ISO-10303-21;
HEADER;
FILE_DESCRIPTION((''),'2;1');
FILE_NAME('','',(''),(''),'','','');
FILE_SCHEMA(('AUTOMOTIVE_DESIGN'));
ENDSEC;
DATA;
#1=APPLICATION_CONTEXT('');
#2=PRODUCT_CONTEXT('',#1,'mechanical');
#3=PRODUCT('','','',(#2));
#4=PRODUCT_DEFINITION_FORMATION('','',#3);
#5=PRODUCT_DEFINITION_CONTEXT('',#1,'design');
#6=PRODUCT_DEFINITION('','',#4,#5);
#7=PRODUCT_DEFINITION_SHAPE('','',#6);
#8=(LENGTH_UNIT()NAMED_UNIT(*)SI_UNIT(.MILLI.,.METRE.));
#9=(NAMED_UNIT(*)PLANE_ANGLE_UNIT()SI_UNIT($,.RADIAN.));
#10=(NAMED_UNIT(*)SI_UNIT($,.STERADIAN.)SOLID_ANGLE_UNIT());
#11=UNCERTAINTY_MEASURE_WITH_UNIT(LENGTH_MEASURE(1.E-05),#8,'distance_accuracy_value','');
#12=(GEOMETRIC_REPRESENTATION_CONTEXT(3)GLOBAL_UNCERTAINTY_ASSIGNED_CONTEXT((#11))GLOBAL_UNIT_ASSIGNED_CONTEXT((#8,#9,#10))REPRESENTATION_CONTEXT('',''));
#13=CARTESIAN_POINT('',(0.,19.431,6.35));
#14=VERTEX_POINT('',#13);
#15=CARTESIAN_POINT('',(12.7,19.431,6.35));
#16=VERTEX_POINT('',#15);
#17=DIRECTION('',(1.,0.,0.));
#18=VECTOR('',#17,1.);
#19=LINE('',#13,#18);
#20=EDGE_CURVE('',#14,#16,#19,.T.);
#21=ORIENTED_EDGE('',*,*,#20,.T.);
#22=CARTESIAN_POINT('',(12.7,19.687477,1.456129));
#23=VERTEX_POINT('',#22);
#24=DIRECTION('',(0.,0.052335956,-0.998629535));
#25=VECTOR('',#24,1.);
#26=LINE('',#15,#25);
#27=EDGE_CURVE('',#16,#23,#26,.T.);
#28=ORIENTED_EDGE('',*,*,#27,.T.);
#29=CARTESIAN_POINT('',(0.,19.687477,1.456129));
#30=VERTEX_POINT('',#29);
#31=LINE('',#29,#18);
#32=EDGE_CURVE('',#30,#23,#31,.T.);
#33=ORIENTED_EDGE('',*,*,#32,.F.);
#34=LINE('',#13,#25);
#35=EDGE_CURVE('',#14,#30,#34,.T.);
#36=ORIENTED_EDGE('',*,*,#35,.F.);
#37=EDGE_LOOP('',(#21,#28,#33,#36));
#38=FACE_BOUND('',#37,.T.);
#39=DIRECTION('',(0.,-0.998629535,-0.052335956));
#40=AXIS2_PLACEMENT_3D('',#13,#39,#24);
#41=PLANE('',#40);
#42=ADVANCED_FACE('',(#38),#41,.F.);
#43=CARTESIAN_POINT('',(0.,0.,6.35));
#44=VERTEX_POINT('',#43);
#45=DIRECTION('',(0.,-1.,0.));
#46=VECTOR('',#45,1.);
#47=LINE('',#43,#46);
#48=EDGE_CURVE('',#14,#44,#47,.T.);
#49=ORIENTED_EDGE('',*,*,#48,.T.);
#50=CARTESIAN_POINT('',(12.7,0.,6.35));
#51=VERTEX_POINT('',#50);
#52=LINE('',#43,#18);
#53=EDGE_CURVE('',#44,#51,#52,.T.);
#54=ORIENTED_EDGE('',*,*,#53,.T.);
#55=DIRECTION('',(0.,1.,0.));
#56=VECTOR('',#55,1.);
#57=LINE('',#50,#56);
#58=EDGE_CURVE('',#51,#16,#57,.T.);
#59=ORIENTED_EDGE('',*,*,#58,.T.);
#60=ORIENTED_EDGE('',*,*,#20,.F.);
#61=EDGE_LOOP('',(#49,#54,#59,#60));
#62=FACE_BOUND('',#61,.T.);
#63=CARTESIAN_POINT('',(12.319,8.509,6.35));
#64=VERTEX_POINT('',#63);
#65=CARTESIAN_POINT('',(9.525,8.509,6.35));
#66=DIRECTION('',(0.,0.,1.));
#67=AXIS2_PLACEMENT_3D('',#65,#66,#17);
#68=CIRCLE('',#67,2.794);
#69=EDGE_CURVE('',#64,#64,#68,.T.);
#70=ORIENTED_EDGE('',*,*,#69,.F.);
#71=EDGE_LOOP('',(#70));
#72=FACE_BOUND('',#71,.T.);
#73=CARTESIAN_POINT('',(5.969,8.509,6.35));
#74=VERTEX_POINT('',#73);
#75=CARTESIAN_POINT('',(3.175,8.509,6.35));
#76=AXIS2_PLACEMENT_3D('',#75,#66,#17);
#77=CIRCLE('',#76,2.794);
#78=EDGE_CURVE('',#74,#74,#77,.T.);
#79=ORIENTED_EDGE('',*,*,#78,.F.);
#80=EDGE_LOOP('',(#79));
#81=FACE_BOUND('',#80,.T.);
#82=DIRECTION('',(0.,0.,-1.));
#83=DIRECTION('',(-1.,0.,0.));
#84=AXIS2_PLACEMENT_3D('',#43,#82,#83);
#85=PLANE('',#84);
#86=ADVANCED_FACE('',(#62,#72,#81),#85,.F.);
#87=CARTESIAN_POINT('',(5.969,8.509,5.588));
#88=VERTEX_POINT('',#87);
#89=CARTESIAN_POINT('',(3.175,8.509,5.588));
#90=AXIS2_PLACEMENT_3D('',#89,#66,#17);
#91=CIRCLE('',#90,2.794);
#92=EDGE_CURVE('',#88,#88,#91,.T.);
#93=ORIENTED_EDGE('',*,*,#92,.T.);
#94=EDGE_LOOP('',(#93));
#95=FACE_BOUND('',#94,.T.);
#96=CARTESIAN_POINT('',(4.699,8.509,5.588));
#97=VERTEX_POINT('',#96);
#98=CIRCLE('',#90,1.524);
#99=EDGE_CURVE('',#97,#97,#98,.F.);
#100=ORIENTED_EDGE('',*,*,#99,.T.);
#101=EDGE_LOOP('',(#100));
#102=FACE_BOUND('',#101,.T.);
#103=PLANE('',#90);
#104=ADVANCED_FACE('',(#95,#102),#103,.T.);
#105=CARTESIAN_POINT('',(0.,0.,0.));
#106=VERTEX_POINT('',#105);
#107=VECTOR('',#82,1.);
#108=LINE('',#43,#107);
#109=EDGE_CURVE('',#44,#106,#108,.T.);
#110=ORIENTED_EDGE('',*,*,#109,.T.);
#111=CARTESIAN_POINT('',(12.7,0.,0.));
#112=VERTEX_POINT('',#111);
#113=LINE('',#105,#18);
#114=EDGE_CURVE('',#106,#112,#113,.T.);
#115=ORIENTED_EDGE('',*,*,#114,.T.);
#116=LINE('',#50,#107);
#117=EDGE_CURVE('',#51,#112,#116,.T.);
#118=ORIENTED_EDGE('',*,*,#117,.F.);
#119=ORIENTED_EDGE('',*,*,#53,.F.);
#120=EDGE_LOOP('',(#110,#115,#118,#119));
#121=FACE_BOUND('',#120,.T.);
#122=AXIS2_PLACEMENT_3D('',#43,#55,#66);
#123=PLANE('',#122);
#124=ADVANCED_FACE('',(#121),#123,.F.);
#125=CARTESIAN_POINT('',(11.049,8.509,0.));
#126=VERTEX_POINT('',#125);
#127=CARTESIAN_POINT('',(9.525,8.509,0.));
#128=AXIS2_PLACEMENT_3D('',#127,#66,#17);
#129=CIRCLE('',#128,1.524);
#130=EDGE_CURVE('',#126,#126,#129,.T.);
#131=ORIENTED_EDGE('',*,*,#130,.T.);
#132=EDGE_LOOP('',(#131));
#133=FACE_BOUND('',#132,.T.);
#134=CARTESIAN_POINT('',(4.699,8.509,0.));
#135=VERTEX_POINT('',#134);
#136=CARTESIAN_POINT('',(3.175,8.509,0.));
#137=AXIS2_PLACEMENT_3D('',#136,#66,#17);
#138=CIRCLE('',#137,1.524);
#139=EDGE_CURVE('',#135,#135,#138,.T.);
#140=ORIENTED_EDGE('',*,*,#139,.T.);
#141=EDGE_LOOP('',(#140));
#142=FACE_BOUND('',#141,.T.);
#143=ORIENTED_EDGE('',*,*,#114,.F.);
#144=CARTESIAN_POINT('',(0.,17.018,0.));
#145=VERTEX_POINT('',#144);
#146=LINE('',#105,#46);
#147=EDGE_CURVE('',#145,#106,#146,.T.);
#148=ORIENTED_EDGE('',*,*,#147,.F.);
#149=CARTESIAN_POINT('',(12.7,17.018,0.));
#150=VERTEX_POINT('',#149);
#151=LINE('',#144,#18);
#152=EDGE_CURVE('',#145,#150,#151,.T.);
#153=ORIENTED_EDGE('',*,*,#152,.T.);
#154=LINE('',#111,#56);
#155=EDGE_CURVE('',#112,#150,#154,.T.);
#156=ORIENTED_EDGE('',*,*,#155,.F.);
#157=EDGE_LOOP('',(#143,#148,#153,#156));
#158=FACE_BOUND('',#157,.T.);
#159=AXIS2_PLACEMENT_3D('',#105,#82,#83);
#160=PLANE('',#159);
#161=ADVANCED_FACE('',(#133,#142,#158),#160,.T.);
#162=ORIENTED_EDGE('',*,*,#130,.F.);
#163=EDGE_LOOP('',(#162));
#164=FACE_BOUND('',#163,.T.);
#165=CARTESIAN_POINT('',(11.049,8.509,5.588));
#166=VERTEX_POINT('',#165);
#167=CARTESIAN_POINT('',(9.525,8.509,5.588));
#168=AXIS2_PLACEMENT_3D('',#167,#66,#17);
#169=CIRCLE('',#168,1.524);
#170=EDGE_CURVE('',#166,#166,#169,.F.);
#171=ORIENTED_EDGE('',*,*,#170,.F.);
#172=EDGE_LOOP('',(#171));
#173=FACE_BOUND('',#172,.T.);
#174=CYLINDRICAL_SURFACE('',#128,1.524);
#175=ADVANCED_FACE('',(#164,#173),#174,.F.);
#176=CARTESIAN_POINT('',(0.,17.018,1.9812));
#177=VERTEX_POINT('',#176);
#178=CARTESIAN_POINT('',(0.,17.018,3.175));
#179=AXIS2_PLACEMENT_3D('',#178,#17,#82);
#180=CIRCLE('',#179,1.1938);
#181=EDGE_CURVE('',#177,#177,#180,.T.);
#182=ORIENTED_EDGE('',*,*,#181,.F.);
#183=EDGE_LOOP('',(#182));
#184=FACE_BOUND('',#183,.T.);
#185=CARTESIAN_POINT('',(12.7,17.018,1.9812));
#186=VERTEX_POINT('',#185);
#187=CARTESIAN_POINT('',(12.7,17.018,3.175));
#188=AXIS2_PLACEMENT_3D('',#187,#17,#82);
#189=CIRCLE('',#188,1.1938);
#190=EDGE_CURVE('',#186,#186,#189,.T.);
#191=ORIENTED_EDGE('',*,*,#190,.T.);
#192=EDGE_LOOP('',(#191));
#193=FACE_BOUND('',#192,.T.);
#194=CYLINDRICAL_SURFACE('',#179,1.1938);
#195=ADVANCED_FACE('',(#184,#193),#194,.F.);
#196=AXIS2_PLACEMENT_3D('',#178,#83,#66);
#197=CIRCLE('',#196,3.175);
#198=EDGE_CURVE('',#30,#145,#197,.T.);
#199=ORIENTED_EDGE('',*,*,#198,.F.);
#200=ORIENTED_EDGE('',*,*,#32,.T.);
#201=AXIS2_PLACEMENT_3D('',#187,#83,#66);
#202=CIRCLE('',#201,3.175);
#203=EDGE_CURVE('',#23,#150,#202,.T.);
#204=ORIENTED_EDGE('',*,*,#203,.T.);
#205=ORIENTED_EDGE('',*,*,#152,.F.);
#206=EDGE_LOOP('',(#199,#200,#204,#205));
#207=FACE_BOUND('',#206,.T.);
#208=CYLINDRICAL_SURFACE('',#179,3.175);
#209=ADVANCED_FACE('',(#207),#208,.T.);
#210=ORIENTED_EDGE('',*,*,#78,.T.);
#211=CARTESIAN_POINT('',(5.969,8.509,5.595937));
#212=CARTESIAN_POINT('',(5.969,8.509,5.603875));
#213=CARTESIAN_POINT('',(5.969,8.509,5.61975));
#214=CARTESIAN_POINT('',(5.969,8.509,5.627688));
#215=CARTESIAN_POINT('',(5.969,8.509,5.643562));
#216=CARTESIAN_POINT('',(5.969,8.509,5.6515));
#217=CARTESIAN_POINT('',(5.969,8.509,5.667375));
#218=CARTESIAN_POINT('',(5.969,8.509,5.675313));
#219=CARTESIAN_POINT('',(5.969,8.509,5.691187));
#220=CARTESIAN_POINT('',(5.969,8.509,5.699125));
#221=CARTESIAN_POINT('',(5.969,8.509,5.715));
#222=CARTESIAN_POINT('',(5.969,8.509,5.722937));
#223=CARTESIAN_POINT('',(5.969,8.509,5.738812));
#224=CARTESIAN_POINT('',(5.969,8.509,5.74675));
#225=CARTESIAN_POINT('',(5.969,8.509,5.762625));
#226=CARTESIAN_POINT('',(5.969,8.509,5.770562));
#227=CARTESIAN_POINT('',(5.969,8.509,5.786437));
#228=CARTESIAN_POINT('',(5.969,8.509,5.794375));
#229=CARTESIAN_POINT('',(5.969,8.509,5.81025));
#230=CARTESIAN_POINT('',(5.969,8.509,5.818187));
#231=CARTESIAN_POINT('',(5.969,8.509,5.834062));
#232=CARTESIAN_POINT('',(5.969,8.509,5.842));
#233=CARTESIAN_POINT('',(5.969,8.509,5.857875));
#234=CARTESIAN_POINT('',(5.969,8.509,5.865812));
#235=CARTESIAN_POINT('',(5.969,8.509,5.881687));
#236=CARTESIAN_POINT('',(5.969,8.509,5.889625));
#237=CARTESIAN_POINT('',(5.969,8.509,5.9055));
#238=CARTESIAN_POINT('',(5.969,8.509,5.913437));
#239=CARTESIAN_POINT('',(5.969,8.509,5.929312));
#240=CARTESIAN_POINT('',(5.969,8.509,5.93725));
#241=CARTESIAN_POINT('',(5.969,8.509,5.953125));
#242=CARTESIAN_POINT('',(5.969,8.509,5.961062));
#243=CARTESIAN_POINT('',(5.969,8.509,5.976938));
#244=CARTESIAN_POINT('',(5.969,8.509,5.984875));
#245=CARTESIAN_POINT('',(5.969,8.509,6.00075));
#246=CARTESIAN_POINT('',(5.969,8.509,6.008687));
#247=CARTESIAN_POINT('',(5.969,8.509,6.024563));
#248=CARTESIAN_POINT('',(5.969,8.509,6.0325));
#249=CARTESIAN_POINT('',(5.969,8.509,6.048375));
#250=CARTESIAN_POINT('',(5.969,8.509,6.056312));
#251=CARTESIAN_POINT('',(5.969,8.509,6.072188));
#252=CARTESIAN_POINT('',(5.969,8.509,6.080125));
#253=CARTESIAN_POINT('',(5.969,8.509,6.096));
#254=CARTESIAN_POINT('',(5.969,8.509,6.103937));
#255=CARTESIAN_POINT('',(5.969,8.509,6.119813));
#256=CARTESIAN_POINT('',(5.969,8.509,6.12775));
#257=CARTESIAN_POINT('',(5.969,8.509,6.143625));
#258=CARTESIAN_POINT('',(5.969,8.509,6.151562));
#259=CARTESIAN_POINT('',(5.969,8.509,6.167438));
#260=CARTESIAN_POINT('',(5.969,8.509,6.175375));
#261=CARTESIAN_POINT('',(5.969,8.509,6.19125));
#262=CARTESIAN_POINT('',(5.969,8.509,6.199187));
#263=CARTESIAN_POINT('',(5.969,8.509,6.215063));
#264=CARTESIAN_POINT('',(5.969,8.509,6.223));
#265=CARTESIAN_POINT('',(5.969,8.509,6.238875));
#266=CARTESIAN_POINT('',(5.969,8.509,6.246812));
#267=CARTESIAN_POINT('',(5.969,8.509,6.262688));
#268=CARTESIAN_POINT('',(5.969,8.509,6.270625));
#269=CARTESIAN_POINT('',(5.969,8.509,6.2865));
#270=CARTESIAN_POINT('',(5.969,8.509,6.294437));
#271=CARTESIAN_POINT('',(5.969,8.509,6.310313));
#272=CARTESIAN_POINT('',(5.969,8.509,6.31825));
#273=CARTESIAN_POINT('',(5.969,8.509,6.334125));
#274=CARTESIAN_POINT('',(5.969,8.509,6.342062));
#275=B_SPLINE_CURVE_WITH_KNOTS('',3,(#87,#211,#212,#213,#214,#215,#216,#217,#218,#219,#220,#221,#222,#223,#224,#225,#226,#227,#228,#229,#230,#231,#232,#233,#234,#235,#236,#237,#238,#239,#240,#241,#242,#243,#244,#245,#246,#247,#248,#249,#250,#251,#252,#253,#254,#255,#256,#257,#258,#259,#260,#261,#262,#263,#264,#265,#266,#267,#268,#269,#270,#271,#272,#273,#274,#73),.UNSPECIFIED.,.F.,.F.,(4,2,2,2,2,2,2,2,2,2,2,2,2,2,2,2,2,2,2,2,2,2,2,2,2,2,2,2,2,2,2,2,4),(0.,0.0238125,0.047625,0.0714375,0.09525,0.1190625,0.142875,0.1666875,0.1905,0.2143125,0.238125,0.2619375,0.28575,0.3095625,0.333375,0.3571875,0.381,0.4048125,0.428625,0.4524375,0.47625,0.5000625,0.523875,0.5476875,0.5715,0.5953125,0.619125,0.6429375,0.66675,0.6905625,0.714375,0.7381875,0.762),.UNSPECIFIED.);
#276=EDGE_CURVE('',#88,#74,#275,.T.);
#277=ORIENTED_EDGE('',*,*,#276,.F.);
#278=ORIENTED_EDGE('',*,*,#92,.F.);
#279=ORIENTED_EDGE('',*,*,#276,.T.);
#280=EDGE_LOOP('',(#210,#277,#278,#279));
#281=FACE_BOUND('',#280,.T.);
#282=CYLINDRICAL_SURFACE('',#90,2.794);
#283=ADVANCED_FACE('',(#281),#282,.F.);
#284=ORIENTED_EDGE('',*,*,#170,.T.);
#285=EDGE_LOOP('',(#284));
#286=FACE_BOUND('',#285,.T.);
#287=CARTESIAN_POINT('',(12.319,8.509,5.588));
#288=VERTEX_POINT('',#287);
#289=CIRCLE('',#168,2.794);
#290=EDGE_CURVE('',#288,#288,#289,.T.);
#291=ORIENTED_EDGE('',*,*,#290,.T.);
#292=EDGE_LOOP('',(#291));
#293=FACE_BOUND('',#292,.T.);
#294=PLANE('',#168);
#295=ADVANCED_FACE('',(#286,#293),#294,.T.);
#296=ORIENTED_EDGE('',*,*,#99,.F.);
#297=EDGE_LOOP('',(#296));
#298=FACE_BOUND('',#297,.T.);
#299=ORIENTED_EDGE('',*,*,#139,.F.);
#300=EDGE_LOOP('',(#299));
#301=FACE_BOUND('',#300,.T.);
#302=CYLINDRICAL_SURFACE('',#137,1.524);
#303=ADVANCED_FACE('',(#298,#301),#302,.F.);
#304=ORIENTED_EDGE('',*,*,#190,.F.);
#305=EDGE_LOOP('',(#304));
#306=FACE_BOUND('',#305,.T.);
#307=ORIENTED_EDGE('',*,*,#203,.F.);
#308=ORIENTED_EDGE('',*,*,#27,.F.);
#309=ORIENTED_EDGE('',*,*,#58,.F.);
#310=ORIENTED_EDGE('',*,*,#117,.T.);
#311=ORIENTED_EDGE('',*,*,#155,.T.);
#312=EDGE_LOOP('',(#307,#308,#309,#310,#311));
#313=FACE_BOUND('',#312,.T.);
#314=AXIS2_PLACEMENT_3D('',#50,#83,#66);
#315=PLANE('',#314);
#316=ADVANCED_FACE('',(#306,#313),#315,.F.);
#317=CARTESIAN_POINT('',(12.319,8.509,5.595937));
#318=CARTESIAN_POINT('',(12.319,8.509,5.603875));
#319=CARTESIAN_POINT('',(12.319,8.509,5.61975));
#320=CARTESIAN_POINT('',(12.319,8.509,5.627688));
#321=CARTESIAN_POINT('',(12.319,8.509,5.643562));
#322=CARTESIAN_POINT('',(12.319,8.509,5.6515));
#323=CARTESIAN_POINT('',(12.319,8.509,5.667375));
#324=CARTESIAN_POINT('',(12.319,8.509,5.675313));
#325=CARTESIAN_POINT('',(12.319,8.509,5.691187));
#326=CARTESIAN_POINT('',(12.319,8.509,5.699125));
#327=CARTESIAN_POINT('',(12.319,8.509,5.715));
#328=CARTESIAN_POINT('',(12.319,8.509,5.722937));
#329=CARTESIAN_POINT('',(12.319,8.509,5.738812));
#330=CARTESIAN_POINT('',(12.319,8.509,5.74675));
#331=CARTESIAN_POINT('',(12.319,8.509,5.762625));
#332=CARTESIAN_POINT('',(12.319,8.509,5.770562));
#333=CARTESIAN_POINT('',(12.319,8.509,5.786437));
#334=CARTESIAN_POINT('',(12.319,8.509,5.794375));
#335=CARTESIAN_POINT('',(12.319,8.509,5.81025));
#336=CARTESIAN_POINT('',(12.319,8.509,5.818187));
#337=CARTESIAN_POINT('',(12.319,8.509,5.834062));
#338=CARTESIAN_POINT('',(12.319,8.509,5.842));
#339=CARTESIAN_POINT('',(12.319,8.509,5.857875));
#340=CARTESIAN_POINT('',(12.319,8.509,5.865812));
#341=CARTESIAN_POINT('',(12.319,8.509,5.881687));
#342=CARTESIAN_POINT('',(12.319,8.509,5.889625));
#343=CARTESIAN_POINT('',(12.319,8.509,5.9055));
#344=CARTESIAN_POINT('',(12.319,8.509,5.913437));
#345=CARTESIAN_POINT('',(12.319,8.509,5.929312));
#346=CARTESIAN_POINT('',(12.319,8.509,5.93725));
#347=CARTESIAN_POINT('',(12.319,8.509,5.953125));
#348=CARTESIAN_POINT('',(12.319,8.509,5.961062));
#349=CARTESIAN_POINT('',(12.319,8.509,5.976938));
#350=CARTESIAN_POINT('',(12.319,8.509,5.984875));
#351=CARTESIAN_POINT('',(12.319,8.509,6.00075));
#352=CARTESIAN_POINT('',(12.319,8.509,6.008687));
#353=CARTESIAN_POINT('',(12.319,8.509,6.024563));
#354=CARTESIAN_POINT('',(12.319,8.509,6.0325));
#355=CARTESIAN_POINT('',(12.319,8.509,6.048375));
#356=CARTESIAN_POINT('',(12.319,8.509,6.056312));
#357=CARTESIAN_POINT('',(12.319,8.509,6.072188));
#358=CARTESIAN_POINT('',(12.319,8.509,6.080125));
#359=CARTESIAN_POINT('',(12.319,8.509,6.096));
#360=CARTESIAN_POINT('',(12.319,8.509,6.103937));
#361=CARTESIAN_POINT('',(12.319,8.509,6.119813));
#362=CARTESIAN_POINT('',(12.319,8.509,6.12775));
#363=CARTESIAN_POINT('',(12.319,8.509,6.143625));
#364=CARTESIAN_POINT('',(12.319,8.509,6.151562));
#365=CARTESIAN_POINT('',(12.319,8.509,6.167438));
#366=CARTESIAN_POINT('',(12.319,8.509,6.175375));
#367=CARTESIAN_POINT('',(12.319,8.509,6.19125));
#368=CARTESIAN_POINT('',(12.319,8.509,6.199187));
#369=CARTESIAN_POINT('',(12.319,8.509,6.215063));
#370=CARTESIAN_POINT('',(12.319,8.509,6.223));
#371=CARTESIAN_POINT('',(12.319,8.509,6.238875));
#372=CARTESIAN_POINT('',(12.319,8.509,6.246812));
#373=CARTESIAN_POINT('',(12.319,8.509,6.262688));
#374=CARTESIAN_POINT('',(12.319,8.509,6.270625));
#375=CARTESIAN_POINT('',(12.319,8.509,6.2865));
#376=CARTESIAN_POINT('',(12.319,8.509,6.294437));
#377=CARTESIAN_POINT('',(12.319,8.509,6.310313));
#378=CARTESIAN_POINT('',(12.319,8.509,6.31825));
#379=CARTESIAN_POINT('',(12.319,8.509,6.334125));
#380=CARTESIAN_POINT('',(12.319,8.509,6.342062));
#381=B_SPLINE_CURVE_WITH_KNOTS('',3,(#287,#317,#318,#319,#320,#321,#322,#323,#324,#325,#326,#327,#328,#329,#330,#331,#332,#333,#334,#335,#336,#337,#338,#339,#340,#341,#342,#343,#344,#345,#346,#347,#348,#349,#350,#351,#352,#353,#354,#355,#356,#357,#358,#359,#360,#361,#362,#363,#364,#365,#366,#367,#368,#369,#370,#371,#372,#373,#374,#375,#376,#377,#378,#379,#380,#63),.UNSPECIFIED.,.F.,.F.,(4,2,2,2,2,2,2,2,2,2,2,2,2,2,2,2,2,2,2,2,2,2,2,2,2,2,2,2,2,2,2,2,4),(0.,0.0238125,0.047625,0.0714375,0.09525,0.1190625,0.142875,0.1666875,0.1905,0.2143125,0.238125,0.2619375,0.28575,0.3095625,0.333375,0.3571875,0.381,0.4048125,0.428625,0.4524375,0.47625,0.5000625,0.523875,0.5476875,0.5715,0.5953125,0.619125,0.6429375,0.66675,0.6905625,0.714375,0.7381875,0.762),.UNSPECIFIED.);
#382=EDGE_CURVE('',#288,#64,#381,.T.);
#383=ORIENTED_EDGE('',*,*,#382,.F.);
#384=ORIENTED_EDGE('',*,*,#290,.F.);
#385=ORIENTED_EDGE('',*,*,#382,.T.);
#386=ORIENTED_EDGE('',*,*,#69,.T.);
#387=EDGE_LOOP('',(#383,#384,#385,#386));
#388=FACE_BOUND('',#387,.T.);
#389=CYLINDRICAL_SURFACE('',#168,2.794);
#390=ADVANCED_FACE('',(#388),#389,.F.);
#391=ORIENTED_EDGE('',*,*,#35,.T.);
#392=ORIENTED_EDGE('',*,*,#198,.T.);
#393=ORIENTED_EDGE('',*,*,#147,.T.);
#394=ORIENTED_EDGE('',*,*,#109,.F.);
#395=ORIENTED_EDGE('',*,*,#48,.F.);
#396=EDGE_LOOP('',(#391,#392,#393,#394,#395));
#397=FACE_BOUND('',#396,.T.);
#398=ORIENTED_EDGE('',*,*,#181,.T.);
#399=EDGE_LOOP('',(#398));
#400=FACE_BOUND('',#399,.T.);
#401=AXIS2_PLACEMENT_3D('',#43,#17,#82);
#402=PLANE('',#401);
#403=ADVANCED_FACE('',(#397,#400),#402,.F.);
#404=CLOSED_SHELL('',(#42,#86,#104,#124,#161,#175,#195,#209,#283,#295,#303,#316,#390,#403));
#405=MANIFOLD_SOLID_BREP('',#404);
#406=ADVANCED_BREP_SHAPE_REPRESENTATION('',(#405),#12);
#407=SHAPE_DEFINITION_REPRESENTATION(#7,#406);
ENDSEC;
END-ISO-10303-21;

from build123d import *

# Parameters (mm, degrees)
SKETCH1_W           = 12.7
SKETCH1_H           = 20.193
BOSS_EXTRUDE1_DEPTH = 6.35
SKETCH3_R           = 1.524
CUT_EXTRUDE1_DEPTH  = 25.685415715
SKETCH4_R           = 2.794
CUT_EXTRUDE2_DEPTH  = 0.762
SKETCH8_R           = 1.1938
CUT_EXTRUDE5_DEPTH  = 25.685415715
CUT_EXTRUDE7_DEPTH  = 25.685415715
CUT_EXTRUDE8_DEPTH  = 25.685415715


with BuildPart() as part:
    # Sketch1 → Boss-Extrude1 (new body)
    with BuildSketch(Plane.XY):
        with Locations((6.35, 10.0965)):
            Rectangle(SKETCH1_W, SKETCH1_H)
    extrude(amount=BOSS_EXTRUDE1_DEPTH)

    # Sketch3 → Cut-Extrude1 (cut, through all)
    with BuildSketch(Plane.XY.offset(6.35)):
        with Locations((3.175, 8.509)):
            Circle(SKETCH3_R)
        with Locations((9.525, 8.509)):
            Circle(SKETCH3_R)
    extrude(amount=-CUT_EXTRUDE1_DEPTH, mode=Mode.SUBTRACT)

    # Sketch4 → Cut-Extrude2 (cut)
    with BuildSketch(Plane.XY.offset(6.35)):
        with Locations((3.175, 8.509)):
            Circle(SKETCH4_R)
        with Locations((9.525, 8.509)):
            Circle(SKETCH4_R)
    extrude(amount=-CUT_EXTRUDE2_DEPTH, mode=Mode.SUBTRACT)

    # Sketch8 → Cut-Extrude5 (cut, through all)
    with BuildSketch(Plane(origin=(12.7, 0, 0), x_dir=(0, 0, -1), z_dir=(1, 0, 0))):
        with Locations((-3.175, 17.018)):
            Circle(SKETCH8_R)
    extrude(amount=-CUT_EXTRUDE5_DEPTH, mode=Mode.SUBTRACT)

    # Sketch12 → Cut-Extrude7 (cut, through all)
    with BuildSketch(Plane(origin=(12.7, 0, 0), x_dir=(0, 0, -1), z_dir=(1, 0, 0))):
        with BuildLine():
            Line((-6.35, 20.193), (-3.175, 20.193))
            ThreePointArc((-3.175, 20.193), (-0.92993597, 19.26306403), (0, 17.018))
            Line((0, 17.018), (0, 13.936871151))
            Line((0, 13.936871151), (3.924146207, 13.936871151))
            Line((3.924146207, 13.936871151), (3.924146207, 24.495106429))
            Line((3.924146207, 24.495106429), (-6.35, 24.495106429))
            Line((-6.35, 24.495106429), (-6.35, 20.193))
        make_face()
    extrude(amount=-CUT_EXTRUDE7_DEPTH, mode=Mode.SUBTRACT)

    # Sketch13 → Cut-Extrude8 (cut, through all)
    with BuildSketch(Plane(origin=(12.7, 0, 0), x_dir=(0, 0, -1), z_dir=(1, 0, 0))):
        Polygon((-6.35, 19.431), (8.189826156, 20.193), (-6.35, 20.193), align=None)
    extrude(amount=-CUT_EXTRUDE8_DEPTH, mode=Mode.SUBTRACT)


solid = part.part
